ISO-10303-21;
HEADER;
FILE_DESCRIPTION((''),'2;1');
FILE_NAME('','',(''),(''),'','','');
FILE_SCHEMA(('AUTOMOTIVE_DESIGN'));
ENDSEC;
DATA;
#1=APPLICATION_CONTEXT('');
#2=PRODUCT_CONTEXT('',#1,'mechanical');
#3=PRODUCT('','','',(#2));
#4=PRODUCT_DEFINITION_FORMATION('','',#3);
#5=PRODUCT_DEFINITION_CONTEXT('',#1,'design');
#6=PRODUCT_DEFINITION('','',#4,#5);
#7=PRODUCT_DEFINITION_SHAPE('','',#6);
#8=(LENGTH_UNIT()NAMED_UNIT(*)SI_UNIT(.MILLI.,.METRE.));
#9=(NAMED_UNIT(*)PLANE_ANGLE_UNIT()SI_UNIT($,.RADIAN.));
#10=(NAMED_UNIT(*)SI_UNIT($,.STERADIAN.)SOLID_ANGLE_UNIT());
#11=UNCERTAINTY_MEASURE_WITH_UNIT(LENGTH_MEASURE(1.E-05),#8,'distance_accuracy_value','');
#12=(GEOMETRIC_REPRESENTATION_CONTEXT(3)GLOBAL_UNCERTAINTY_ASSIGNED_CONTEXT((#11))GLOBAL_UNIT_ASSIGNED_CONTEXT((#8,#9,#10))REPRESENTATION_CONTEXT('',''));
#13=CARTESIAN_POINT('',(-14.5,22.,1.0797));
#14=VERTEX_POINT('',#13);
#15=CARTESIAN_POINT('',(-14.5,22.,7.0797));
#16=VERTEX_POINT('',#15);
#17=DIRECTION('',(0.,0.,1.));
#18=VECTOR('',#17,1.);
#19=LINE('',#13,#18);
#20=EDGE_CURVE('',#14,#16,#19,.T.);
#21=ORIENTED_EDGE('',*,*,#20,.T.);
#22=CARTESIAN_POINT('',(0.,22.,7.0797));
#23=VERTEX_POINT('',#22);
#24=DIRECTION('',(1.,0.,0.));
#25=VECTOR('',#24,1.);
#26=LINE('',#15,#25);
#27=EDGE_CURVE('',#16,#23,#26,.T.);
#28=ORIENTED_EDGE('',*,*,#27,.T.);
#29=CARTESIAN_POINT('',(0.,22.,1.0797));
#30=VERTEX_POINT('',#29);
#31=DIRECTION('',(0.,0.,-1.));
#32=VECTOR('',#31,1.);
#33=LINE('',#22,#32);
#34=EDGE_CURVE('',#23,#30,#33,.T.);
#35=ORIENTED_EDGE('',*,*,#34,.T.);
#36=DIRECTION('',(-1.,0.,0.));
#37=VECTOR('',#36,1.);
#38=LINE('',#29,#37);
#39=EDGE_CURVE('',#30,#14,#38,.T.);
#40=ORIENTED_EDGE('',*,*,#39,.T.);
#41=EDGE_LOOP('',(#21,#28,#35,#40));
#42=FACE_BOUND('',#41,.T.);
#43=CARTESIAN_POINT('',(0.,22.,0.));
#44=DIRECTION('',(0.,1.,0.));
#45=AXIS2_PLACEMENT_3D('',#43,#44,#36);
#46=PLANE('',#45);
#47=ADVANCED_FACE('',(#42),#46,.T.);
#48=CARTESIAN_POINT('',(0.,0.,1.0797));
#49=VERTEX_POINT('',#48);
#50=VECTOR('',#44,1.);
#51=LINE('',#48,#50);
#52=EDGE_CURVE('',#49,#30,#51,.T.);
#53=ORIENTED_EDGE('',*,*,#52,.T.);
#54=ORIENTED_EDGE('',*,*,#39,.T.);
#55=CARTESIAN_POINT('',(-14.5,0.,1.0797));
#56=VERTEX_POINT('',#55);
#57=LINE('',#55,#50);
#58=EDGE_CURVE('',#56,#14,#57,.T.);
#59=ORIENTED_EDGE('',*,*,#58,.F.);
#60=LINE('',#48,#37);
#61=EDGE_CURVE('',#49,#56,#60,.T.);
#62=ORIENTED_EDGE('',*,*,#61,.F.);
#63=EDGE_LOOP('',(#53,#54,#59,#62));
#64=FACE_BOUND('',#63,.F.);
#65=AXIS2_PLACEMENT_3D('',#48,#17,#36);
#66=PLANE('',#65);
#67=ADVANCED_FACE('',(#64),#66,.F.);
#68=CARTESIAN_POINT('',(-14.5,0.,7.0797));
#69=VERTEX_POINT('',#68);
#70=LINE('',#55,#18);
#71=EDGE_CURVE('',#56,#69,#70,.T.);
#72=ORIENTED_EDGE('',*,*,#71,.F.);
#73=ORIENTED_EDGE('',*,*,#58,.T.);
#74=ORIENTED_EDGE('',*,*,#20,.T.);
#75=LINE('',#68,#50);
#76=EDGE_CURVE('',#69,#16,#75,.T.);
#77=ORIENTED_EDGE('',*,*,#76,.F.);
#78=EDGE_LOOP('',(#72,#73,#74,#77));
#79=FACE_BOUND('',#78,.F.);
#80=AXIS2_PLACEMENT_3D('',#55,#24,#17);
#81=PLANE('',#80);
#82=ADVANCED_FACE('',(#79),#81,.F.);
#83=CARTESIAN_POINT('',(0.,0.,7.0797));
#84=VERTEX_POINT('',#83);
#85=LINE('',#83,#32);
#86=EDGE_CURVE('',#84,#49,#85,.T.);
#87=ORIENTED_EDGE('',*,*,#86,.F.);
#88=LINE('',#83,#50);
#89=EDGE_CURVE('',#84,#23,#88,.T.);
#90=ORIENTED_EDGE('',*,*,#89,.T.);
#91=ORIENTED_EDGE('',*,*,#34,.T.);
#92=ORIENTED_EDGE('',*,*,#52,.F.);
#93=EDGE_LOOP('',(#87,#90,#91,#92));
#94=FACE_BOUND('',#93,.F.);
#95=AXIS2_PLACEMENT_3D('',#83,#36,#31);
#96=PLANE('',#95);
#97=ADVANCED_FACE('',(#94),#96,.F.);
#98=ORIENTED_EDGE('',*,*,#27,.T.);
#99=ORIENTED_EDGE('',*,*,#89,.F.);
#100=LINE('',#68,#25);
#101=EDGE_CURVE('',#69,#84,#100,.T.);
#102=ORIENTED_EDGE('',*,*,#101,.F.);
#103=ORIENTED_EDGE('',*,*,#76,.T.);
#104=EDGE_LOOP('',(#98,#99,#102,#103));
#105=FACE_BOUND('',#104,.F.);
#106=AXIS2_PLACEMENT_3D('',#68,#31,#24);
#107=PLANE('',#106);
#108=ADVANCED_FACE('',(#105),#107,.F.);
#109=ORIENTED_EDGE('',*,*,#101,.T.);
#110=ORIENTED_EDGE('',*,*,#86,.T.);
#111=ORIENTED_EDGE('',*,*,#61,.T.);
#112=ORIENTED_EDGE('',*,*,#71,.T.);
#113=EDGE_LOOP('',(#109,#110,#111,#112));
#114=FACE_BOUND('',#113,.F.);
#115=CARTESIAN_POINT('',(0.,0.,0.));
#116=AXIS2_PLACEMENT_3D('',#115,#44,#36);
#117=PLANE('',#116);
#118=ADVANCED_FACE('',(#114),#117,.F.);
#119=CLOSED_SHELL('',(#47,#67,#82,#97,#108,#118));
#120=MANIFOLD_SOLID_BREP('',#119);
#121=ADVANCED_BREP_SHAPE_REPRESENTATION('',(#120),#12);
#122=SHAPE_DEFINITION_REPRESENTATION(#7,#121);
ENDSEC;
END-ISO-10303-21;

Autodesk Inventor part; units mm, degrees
ref_plane "YZ Plane" through (0, 0, 0) normal (1, 0, 0) x (0, 1, 0)
ref_plane "XZ Plane" through (0, 0, 0) normal (0, 1, 0) x (-1, 0, 0)
ref_plane "XY Plane" through (0, 0, 0) normal (0, 0, 1) x (1, 0, 0)
sketch "Sketch1" plane through (0, 0, 0) normal (0, 1, 0) x (-1, 0, 0)
  line L0 (14.5, 7.0797) -> (0, 7.0797)
  line L1 (0, 7.0797) -> (0, 1.0797)
  line L2 (0, 1.0797) -> (14.5, 1.0797)
  line L3 (14.5, 1.0797) -> (14.5, 7.0797)
  point P0 (0, 0)
  dimension "d0" = 14.5
  dimension "d1" = 6
extrude "Extrusion1" add sketch "Sketch1" along normal blind 22
properties part number "paletas"
